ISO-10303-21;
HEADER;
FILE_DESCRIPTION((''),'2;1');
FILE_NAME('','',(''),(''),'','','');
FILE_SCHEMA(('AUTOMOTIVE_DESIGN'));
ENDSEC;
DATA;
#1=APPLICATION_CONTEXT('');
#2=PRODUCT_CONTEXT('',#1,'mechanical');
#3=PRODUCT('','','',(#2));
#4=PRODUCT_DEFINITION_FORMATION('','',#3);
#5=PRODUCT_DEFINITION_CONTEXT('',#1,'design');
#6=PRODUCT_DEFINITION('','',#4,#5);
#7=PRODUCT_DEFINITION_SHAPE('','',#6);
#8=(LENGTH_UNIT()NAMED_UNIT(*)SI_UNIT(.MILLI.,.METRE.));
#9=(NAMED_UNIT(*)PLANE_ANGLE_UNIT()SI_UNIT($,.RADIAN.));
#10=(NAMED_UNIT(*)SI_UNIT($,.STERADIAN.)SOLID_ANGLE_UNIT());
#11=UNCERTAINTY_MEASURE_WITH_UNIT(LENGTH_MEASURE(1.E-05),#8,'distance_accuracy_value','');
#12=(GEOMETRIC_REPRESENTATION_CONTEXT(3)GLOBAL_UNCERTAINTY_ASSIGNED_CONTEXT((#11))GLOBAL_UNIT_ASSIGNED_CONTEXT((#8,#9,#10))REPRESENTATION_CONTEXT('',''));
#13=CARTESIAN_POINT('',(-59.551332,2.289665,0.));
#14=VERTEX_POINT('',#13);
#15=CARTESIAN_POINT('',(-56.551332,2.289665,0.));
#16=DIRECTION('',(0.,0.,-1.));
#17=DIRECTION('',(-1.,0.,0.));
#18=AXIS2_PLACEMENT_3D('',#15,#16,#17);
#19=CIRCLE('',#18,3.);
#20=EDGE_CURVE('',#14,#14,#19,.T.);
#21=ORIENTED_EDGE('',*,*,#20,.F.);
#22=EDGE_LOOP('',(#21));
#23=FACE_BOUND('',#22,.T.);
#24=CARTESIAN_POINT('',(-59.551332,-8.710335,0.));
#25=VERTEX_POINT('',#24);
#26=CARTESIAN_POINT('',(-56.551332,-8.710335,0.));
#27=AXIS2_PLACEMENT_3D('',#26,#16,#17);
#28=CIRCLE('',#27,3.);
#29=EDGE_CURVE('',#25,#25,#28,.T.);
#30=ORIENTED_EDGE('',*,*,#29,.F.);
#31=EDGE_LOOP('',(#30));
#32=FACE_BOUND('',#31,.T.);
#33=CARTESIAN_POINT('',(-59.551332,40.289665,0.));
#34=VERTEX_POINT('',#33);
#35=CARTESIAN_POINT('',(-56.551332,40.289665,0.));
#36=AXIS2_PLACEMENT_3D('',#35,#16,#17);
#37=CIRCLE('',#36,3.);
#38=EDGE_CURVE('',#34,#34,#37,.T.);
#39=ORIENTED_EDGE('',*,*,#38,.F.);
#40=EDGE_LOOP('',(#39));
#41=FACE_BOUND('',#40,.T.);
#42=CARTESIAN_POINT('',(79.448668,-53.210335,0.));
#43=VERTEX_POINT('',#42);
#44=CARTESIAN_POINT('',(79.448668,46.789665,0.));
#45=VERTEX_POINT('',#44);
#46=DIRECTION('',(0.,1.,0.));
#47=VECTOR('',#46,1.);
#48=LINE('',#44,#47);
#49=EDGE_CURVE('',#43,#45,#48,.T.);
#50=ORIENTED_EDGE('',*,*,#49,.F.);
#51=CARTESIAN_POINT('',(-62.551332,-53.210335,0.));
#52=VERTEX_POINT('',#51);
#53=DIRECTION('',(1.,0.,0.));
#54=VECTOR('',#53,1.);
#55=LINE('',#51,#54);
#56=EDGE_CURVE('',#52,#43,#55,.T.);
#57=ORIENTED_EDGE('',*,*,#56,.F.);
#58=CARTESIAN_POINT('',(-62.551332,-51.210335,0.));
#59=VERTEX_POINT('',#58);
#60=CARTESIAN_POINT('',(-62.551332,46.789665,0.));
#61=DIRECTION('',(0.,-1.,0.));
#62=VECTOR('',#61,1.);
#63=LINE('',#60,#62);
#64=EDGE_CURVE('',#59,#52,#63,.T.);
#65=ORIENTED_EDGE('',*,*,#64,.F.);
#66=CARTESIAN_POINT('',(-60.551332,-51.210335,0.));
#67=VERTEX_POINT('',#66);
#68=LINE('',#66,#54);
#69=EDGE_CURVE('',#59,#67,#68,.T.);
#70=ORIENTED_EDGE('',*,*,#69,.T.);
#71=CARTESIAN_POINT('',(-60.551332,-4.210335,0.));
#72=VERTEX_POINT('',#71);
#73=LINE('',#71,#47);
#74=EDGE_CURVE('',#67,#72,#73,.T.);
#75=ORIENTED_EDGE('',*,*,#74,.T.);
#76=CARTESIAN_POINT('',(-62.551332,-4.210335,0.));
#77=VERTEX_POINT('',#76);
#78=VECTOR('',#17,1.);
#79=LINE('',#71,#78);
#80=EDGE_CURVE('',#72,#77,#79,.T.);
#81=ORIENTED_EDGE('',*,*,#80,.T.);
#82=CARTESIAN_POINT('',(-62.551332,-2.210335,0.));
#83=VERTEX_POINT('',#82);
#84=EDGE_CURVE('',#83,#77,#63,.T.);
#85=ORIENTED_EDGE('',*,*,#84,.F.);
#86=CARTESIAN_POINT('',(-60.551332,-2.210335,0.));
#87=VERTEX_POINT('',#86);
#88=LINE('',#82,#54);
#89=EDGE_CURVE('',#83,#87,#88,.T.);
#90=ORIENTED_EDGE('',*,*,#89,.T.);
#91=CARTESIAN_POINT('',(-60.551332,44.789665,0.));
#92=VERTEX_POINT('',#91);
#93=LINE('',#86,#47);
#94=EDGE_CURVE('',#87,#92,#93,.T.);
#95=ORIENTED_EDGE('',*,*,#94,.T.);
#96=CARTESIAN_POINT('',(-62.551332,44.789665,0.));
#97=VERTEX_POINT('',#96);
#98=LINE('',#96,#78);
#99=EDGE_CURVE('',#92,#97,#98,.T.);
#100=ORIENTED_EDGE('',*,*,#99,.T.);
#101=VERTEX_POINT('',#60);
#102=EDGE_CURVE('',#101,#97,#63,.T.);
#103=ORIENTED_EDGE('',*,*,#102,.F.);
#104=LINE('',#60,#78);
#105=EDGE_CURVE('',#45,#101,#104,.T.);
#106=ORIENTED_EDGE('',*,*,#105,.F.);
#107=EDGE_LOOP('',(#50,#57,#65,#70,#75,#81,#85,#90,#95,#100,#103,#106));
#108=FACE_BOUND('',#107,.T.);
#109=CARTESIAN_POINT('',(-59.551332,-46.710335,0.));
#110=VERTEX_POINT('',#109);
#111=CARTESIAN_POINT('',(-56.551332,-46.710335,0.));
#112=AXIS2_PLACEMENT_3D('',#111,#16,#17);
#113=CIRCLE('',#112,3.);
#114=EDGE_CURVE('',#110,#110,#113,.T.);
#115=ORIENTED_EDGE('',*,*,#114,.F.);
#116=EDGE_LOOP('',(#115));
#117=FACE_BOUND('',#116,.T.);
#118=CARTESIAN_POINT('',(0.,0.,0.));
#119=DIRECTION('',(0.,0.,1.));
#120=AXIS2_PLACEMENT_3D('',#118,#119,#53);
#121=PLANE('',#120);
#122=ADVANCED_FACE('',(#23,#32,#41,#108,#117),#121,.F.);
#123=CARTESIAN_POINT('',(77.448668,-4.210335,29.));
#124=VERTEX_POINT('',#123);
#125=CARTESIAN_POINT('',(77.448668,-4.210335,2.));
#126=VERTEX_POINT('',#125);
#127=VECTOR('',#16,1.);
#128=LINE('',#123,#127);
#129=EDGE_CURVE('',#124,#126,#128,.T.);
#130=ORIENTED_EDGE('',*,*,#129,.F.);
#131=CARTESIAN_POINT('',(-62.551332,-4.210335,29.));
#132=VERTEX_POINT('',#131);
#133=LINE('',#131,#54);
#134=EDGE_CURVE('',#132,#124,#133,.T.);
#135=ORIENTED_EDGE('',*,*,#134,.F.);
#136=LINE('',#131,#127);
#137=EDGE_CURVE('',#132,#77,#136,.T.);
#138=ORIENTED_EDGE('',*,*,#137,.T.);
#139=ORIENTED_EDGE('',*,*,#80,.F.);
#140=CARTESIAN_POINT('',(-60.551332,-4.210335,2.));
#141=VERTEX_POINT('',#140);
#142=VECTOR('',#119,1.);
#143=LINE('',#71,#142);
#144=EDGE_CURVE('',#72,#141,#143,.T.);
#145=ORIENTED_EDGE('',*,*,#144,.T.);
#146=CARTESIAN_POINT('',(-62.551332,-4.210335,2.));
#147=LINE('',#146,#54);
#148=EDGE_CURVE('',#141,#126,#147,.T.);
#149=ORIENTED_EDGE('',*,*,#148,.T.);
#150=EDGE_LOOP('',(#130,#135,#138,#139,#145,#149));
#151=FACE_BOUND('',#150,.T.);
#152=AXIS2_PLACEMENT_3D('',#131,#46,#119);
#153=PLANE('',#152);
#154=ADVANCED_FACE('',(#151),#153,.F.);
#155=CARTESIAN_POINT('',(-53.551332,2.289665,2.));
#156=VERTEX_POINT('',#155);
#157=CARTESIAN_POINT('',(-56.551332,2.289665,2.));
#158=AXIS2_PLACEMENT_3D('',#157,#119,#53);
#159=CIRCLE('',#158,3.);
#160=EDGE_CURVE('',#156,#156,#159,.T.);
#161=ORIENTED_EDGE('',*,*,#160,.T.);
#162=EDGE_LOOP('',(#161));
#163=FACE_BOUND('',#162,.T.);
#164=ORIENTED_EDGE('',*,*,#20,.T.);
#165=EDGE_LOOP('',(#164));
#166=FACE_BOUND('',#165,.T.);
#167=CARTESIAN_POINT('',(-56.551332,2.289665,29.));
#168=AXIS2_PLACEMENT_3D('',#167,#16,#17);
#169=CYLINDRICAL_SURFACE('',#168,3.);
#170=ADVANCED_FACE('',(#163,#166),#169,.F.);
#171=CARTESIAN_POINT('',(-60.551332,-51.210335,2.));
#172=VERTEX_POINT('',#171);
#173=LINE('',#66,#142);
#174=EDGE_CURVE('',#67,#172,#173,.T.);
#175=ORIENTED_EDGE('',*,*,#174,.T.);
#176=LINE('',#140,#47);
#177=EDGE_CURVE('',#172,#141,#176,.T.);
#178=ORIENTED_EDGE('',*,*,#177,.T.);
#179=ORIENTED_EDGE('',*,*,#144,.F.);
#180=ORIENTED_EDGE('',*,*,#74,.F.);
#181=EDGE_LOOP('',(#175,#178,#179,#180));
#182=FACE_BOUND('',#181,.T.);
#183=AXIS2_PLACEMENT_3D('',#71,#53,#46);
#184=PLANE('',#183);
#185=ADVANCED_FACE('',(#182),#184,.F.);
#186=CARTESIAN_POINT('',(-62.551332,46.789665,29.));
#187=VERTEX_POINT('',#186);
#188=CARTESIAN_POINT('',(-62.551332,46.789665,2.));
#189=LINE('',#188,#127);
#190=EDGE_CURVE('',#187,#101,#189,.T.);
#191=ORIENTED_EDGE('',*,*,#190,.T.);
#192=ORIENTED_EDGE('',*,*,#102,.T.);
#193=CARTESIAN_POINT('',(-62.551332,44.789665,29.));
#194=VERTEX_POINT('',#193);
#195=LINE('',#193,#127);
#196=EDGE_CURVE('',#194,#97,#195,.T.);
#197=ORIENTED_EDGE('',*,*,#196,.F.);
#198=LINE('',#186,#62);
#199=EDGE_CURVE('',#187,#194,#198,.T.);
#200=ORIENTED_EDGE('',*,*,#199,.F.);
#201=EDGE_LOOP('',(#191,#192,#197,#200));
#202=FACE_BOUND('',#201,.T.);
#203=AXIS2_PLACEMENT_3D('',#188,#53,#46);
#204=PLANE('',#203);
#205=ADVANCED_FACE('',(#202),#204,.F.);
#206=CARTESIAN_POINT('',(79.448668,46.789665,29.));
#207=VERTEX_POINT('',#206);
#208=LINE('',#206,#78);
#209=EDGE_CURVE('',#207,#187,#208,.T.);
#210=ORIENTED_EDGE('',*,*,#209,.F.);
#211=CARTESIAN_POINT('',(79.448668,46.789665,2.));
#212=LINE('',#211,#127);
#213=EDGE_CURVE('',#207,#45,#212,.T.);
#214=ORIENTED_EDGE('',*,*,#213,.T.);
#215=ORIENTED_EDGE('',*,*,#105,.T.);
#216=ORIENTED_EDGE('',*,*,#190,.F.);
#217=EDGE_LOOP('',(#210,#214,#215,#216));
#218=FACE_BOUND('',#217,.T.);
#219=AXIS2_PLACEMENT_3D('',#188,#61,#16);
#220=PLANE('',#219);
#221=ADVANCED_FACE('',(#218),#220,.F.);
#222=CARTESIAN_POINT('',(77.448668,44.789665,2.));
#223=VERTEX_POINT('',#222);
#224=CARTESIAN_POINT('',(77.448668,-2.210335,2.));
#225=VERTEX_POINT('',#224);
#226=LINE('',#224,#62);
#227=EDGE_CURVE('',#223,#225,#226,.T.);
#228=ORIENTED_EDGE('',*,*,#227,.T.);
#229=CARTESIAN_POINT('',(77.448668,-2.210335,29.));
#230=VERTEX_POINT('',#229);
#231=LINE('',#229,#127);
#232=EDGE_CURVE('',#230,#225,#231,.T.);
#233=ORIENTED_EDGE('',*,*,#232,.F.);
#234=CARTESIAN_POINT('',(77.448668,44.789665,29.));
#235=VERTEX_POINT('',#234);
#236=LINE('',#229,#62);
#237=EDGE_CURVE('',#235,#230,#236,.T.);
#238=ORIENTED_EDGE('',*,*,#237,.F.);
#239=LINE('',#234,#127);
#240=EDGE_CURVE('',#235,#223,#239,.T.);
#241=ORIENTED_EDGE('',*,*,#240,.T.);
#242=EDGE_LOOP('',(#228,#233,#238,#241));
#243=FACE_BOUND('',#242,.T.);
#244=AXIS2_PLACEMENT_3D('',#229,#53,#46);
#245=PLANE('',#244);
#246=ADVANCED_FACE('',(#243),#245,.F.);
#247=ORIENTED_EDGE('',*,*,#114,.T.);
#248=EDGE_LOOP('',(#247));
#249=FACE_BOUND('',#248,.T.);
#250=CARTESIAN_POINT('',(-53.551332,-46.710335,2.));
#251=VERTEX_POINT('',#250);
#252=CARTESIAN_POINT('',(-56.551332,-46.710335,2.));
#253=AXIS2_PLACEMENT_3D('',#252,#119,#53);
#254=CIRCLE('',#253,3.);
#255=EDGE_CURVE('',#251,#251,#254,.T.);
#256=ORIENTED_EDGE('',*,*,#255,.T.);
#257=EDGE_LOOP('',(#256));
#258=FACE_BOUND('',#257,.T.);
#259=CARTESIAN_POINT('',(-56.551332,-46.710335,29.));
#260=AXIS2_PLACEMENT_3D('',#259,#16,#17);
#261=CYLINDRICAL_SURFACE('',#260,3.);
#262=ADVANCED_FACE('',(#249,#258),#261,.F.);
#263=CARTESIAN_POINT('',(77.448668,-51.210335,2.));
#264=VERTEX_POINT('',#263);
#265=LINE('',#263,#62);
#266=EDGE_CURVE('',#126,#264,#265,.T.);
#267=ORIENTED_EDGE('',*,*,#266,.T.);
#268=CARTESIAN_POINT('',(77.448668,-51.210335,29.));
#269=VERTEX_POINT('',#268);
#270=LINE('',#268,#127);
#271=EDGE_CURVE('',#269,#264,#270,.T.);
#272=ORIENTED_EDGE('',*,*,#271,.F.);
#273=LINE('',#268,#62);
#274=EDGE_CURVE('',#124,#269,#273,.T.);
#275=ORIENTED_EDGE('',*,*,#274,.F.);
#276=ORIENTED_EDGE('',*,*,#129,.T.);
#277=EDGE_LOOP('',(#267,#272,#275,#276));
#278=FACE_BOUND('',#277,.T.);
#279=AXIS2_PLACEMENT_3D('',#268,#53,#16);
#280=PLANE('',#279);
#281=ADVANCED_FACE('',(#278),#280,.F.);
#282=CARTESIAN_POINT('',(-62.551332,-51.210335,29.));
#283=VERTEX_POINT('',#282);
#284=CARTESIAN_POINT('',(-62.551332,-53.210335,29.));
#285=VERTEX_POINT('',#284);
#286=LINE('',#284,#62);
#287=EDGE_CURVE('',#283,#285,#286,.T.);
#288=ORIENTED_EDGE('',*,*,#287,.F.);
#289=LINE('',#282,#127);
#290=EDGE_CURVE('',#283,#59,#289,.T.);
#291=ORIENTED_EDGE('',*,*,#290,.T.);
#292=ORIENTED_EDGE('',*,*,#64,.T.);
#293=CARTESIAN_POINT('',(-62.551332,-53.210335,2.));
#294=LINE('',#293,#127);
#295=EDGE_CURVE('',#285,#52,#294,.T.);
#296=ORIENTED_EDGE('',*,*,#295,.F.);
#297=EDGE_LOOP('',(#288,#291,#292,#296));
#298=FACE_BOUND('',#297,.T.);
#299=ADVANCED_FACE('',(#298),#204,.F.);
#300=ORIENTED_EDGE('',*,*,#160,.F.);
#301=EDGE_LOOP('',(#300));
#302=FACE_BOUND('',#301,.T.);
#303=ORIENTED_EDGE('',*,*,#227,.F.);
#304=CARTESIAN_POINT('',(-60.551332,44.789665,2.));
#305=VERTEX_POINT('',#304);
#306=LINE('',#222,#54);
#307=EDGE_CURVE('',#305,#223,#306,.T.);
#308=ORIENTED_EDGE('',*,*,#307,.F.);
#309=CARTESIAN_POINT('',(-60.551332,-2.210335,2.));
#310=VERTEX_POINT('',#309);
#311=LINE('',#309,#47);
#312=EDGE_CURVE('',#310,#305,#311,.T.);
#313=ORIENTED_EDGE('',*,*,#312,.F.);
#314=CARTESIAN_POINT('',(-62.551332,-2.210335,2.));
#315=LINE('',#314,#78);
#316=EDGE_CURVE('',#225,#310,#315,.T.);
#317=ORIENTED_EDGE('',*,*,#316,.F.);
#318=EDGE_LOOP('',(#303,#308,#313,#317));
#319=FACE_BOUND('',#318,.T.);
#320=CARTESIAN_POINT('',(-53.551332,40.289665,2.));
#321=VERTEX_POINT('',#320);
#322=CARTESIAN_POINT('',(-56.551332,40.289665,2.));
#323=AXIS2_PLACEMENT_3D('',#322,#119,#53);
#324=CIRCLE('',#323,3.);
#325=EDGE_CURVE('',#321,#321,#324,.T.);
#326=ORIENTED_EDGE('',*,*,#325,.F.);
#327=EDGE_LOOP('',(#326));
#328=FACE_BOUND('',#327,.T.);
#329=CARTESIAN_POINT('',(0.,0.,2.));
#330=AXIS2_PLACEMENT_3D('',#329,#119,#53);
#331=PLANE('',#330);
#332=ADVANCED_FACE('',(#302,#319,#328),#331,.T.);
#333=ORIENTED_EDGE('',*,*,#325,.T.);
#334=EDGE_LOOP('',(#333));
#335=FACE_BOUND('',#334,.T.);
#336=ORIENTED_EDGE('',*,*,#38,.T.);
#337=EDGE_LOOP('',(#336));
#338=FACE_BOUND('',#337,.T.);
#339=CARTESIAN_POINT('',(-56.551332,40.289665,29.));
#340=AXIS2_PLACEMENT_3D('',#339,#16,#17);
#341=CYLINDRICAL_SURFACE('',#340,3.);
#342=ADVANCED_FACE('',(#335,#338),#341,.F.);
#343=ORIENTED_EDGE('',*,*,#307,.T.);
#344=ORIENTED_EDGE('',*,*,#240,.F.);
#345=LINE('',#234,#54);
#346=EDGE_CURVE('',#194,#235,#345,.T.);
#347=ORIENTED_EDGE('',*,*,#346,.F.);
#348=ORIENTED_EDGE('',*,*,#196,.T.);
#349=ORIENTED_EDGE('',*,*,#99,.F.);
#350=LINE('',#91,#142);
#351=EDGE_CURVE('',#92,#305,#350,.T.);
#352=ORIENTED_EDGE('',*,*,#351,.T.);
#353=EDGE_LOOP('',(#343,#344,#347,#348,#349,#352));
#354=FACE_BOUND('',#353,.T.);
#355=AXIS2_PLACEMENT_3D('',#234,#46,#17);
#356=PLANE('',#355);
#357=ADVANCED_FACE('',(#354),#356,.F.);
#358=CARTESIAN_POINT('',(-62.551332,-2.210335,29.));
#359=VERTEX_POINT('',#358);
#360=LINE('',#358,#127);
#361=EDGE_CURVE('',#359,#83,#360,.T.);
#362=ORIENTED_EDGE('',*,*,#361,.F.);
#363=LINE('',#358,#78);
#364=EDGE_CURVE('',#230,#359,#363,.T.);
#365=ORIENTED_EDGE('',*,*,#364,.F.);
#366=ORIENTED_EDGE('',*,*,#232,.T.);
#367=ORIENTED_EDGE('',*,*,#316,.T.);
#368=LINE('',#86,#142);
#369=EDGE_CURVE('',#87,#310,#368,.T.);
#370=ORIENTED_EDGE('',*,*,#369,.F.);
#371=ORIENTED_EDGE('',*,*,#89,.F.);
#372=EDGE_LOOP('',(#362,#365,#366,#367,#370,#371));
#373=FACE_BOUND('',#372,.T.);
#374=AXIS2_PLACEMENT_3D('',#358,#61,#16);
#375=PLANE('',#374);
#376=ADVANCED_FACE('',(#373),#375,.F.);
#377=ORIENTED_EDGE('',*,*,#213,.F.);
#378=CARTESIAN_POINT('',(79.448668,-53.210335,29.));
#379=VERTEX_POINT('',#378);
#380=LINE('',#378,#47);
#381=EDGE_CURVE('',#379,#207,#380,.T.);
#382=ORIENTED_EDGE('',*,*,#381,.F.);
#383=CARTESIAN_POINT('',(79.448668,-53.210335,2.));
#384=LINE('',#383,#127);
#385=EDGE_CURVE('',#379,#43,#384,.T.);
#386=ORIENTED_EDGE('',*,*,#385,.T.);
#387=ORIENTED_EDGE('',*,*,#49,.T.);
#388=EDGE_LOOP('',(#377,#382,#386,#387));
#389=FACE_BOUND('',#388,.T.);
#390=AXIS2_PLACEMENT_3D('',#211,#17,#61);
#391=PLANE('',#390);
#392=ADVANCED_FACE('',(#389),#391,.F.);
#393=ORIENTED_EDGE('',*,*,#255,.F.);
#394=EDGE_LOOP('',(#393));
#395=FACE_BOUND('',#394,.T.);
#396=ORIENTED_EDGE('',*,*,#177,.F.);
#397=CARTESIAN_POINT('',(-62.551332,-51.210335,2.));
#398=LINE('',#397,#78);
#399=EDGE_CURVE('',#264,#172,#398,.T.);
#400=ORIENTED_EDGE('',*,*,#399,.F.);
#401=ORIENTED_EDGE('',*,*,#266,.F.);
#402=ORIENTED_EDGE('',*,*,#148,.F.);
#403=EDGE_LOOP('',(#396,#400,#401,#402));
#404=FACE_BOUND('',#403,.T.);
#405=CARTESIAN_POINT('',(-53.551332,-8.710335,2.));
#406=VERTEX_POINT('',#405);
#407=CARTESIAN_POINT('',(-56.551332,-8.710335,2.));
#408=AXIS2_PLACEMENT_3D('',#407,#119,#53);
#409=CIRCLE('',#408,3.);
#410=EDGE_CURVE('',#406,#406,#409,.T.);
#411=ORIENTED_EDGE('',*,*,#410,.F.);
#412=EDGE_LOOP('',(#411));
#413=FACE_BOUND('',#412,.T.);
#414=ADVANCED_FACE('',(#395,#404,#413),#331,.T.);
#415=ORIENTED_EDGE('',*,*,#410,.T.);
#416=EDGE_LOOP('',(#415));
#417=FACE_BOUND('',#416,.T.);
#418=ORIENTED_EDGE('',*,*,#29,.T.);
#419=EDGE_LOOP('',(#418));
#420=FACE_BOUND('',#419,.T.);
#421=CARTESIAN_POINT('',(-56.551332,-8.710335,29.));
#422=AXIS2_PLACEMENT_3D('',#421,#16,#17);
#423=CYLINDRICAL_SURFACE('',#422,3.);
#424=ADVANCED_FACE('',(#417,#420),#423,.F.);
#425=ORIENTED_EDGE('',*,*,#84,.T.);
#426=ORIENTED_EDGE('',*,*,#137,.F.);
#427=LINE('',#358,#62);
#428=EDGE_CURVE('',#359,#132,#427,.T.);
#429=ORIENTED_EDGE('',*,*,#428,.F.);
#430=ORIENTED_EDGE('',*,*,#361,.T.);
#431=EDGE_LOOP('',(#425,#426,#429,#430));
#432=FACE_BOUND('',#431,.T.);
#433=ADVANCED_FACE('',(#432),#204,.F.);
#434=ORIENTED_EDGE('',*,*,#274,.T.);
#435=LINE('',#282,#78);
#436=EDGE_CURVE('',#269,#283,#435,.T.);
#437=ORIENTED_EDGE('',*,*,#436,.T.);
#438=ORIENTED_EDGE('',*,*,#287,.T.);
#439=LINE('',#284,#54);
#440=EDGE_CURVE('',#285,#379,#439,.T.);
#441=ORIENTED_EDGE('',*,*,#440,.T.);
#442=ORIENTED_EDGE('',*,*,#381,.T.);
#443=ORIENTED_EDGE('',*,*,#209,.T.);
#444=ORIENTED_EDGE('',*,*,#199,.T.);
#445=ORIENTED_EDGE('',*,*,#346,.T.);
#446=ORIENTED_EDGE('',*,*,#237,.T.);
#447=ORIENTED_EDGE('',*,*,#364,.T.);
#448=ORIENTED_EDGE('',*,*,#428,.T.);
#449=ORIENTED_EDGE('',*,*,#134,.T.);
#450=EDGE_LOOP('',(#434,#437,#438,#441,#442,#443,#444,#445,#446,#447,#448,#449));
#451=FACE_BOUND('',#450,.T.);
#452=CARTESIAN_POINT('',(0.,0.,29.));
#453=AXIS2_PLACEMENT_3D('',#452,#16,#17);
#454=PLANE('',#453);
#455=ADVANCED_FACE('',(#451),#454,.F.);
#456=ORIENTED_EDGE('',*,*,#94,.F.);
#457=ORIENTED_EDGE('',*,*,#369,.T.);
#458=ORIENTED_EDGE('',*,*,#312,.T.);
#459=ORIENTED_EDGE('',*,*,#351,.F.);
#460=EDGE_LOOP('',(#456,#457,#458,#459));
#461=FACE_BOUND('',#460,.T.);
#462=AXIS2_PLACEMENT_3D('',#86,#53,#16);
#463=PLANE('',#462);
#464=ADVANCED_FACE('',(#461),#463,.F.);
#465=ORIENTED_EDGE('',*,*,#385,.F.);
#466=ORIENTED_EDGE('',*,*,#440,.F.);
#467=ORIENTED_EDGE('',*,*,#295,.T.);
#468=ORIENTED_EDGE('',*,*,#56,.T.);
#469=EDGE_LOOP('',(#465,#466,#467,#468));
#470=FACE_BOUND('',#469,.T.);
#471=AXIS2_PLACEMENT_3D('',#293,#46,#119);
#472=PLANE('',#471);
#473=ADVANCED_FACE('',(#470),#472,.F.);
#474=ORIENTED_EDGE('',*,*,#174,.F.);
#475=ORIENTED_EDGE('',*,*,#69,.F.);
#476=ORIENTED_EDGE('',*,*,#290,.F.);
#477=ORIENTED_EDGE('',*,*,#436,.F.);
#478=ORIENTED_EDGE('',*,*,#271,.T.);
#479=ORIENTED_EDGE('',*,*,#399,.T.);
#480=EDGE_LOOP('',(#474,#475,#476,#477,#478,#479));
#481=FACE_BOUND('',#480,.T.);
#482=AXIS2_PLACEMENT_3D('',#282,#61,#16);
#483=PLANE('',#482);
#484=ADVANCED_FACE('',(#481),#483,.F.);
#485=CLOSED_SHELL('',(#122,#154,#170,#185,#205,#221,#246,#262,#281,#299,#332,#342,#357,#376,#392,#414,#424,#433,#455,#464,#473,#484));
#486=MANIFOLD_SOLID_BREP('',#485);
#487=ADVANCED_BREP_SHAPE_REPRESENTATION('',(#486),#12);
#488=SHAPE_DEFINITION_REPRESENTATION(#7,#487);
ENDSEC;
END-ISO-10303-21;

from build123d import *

# Parameters (mm, degrees)
SKETCH1_W           = 142
SKETCH1_H           = 100
BOSS_EXTRUDE1_DEPTH = 2
BOSS_EXTRUDE2_DEPTH = 27
SKETCH4_W           = 2
SKETCH4_H           = 47
CUT_EXTRUDE1_DEPTH  = 3
SKETCH5_R           = 3
CUT_EXTRUDE4_DEPTH  = 30


with BuildPart() as part:
    # Sketch1 → Boss-Extrude1 (new body)
    with BuildSketch(Plane.XY):
        with Locations((8.448668202, -3.21033452)):
            Rectangle(SKETCH1_W, SKETCH1_H)
    extrude(amount=BOSS_EXTRUDE1_DEPTH)

    # Sketch3 → Boss-Extrude2 (add)
    with BuildSketch(Plane.XY.offset(2)):
        Polygon((-62.551331798, -53.21033452), (79.448668202, -53.21033452), (79.448668202, 46.78966548), (-62.551331798, 46.78966548), (-62.551331798, 44.78966548), (77.448668202, 44.78966548), (77.448668202, -2.21033452), (-62.551331798, -2.21033452), (-62.551331798, -4.21033452), (77.448668202, -4.21033452), (77.448668202, -51.21033452), (-62.551331798, -51.21033452), align=None)
    extrude(amount=BOSS_EXTRUDE2_DEPTH)

    # Sketch4 → Cut-Extrude1 (cut, through all)
    with BuildSketch(Plane.XY.offset(2)):
        with Locations((-61.551331798, 21.28966548)):
            Rectangle(SKETCH4_W, SKETCH4_H)
        with Locations((-61.551331798, -27.71033452)):
            Rectangle(SKETCH4_W, SKETCH4_H)
    extrude(amount=-CUT_EXTRUDE1_DEPTH, mode=Mode.SUBTRACT)

    # Sketch5 → Cut-Extrude4 (cut, through all)
    with BuildSketch(Plane(origin=(0, 0, 0), x_dir=(-1, 0, 0), z_dir=(0, 0, -1))):
        with Locations((56.551331798, 40.28966548)):
            Circle(SKETCH5_R)
        with Locations((56.551331798, 2.28966548)):
            Circle(SKETCH5_R)
        with Locations((56.551331798, -8.71033452)):
            Circle(SKETCH5_R)
        with Locations((56.551331798, -46.71033452)):
            Circle(SKETCH5_R)
    extrude(amount=-CUT_EXTRUDE4_DEPTH, mode=Mode.SUBTRACT)


solid = part.part
